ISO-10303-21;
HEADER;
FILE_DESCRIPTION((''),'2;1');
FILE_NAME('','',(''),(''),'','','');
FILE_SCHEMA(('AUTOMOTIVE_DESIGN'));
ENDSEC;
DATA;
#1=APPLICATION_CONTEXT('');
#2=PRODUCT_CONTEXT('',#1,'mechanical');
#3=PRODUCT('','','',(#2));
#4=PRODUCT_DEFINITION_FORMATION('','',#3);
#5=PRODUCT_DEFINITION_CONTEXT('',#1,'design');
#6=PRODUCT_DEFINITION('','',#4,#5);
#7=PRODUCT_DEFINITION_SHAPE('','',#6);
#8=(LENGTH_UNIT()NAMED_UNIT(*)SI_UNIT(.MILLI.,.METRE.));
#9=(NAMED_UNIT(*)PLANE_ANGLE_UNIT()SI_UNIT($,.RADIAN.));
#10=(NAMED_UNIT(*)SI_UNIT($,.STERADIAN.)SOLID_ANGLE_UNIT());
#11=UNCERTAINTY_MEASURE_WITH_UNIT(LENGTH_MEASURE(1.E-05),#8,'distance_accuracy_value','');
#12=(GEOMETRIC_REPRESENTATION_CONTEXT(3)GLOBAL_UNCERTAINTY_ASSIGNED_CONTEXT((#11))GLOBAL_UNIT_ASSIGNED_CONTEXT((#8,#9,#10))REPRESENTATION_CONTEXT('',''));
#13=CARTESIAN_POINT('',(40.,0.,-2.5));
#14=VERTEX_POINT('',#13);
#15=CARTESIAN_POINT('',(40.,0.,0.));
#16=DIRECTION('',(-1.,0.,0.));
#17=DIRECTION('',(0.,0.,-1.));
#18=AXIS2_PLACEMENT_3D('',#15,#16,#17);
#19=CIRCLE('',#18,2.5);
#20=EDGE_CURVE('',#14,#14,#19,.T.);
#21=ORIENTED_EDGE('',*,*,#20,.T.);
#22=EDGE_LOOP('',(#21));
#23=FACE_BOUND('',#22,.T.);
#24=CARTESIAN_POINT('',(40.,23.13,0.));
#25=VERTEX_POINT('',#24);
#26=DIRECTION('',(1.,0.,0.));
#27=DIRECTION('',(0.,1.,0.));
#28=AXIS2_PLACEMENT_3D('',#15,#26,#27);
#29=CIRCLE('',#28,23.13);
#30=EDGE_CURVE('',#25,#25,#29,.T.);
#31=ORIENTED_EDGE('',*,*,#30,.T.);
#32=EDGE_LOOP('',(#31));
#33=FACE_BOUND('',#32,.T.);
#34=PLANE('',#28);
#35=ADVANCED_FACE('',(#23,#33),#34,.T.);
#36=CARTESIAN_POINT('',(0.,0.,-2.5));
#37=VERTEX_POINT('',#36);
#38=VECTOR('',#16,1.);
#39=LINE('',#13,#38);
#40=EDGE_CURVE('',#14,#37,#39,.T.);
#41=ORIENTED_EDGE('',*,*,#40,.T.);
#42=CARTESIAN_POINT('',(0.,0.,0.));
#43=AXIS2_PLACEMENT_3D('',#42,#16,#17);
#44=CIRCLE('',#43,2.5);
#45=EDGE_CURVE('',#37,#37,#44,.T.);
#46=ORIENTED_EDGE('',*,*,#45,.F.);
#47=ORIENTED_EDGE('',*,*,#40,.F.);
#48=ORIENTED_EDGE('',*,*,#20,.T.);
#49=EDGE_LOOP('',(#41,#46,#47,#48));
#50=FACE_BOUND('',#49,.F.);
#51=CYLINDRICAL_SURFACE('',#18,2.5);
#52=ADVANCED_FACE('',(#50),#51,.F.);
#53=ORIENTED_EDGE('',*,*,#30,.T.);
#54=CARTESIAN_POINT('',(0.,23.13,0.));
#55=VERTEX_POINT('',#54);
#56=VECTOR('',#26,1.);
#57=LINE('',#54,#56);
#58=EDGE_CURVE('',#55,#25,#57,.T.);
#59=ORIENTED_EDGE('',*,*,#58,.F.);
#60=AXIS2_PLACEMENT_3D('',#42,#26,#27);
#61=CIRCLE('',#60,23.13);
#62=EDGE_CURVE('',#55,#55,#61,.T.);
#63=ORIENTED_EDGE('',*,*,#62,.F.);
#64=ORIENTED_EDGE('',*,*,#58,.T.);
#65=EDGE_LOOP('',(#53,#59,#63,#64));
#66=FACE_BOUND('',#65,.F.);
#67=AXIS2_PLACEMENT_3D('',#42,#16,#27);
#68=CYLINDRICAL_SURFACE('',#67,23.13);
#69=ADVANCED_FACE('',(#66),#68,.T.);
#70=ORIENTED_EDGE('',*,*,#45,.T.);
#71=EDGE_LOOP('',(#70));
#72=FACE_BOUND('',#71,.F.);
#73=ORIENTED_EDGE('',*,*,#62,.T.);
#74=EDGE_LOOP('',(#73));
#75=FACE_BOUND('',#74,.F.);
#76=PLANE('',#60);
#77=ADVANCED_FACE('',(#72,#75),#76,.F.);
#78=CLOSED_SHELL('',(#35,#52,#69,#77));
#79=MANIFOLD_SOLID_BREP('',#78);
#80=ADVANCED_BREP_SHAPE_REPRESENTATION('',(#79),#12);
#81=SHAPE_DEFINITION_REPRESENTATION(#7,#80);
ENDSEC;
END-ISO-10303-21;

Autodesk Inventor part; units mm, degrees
ref_plane "YZ Plane" through (0, 0, 0) normal (1, 0, 0) x (0, 1, 0)
ref_plane "XZ Plane" through (0, 0, 0) normal (0, 1, 0) x (-1, 0, 0)
ref_plane "XY Plane" through (0, 0, 0) normal (0, 0, 1) x (1, 0, 0)
sketch "スケッチ1" plane through (0, 0, 0) normal (1, 0, 0) x (0, 1, 0)
  circle A0 centre (0, 0) radius 23.13
  dimension "d0" = 46.26
extrude "押し出し1" add sketch "スケッチ1" along normal blind 40
sketch "スケッチ2" plane through (40, 0, 0) normal (1, 0, 0) x (0, 0, -1)
  circle A0 centre (0, 0) radius 2.5
  dimension "d3" = 5
hole "穴1" at (40, 0, 0) direction (-1, 0, 0) diameter 5 depth 40
equation "\"BendRadius\" = Thickness"
equation "\"BendReliefWidth\" = Thickness"
equation "\"BendReliefDepth\" = 0.5 * Thickness"
equation "\"CornerReliefSize\" = 4 * Thickness"
equation "\"MinimumRemnant\" = 2 * Thickness"
equation "\"TransitionRadius\" = BendRadius"
equation "\"JacobiRadiusSize\" = BendRadius"
equation "\"GapSize\" = Thickness"
equation "\"Thickness\" = 0.5"
properties part number "nhk7"
